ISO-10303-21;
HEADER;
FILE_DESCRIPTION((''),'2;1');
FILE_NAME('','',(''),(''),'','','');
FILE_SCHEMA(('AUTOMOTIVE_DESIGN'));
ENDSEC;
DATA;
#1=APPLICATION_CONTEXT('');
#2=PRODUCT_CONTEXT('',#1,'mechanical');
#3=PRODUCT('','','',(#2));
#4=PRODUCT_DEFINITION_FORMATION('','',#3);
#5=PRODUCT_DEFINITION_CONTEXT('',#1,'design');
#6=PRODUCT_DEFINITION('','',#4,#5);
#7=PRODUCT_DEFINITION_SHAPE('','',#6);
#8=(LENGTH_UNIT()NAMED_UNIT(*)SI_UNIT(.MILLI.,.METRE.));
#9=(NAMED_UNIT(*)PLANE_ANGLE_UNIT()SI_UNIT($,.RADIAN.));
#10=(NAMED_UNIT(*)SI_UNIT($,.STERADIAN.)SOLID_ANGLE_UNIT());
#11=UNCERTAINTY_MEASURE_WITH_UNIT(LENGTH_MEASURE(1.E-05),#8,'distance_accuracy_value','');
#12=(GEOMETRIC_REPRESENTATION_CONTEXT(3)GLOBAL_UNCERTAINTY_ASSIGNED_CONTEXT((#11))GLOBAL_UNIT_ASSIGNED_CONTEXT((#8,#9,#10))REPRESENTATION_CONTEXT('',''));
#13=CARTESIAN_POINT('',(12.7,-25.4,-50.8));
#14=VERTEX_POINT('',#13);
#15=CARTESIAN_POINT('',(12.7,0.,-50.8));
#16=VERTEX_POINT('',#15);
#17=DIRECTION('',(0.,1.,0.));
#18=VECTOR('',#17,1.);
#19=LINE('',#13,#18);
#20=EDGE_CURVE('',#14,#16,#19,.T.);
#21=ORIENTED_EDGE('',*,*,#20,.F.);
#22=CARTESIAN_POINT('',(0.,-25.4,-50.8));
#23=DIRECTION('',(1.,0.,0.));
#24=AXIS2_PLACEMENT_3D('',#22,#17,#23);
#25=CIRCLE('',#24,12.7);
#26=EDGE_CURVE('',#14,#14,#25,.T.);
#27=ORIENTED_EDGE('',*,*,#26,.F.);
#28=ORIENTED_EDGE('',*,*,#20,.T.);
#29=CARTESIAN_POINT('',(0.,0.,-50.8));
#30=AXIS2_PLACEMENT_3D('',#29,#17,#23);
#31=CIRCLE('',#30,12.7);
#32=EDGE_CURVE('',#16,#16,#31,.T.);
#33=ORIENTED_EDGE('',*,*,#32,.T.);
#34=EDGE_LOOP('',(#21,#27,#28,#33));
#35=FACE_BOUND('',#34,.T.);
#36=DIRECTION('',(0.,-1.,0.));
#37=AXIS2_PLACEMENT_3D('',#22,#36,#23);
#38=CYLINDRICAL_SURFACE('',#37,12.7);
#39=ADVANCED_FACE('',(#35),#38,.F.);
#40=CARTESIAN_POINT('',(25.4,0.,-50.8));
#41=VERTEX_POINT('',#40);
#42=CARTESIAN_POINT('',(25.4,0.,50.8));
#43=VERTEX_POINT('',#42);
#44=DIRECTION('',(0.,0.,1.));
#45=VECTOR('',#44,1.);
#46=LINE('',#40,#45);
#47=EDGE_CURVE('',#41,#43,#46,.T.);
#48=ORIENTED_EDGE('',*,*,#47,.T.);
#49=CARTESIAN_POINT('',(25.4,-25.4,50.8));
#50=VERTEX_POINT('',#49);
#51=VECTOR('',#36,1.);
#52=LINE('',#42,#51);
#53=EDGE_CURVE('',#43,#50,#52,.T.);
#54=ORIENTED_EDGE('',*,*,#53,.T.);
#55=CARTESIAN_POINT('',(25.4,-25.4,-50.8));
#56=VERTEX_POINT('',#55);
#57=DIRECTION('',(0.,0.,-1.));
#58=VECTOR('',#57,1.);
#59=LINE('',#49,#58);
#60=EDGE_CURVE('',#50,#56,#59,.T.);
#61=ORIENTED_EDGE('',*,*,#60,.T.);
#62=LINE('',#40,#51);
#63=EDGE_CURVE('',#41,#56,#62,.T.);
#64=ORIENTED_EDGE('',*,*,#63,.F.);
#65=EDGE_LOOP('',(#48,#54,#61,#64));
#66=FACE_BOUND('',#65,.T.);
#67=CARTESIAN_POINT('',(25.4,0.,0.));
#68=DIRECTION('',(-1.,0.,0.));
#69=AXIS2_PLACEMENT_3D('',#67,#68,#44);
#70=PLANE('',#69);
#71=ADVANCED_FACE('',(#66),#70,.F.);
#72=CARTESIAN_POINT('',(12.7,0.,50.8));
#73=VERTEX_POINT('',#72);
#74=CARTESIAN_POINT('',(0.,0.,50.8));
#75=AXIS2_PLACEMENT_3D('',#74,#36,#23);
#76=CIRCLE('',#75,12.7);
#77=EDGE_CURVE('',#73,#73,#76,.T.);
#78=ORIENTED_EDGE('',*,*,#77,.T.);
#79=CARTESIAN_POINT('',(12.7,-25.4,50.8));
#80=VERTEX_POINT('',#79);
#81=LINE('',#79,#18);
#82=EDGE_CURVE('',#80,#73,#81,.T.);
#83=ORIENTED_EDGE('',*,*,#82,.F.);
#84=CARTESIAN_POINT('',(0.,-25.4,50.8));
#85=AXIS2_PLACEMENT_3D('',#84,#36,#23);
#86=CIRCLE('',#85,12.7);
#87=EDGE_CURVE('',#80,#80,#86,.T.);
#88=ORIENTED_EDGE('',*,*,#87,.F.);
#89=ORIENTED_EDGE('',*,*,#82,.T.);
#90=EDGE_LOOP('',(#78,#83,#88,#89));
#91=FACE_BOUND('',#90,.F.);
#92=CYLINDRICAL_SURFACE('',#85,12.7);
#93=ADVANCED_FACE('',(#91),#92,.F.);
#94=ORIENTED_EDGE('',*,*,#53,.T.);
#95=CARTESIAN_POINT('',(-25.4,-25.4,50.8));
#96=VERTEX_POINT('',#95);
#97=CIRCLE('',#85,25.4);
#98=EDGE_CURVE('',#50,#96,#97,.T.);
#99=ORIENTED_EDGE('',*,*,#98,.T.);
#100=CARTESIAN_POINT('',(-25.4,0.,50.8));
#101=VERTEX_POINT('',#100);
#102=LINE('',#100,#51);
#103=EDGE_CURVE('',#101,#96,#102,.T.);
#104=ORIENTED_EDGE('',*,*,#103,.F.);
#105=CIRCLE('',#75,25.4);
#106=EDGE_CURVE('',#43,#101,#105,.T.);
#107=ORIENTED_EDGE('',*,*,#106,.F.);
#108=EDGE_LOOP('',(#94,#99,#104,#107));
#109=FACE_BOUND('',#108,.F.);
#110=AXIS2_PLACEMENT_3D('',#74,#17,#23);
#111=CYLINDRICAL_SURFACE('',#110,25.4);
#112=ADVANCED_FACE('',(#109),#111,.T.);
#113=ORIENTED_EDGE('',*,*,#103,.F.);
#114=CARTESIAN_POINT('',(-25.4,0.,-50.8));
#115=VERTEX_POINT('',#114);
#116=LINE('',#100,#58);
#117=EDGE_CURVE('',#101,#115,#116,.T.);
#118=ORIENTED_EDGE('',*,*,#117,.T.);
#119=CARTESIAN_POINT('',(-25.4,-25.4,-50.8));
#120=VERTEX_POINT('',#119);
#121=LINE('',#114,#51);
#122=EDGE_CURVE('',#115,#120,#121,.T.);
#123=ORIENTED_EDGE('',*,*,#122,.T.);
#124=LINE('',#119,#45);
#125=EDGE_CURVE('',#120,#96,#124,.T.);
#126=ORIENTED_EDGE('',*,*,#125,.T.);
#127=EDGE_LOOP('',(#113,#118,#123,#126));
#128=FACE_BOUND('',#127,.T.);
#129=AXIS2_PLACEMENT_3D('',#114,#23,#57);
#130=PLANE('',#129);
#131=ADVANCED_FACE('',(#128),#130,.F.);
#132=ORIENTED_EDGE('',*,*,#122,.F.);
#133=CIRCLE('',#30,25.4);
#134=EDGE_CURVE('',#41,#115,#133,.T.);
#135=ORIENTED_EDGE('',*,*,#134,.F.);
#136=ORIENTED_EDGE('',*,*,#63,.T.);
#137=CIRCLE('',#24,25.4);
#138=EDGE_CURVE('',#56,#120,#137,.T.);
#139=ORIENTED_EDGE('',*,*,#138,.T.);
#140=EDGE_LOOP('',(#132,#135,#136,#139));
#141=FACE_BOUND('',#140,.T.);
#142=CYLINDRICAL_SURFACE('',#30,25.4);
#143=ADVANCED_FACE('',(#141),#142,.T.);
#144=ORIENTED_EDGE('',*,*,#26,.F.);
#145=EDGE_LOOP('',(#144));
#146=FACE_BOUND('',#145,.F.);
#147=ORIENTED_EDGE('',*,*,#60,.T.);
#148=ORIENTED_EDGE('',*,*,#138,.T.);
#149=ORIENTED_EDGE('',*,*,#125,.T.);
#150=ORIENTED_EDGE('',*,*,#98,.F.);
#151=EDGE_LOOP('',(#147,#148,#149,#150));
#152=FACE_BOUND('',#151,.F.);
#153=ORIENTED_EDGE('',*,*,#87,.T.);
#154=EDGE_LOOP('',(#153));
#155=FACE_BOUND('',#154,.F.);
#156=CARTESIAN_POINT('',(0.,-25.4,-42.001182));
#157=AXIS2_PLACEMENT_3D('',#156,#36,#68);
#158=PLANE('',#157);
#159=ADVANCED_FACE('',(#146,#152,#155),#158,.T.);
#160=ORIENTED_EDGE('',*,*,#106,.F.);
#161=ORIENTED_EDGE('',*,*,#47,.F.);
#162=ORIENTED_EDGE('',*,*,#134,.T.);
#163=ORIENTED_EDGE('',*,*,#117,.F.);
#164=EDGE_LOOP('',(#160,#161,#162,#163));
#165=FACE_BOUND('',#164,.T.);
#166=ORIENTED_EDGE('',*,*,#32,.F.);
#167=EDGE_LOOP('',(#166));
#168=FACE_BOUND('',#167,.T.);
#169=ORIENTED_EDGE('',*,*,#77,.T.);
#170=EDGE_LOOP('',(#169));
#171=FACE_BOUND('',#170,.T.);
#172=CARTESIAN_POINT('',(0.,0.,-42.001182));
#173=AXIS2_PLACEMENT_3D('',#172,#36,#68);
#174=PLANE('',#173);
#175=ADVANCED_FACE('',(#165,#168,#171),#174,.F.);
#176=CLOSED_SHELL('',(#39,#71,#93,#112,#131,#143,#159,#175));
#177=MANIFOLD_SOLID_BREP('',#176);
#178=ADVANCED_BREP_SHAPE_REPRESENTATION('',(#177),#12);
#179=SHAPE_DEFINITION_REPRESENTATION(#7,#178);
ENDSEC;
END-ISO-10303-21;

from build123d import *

# Parameters (mm, degrees)
F1_DEPTH = 25.4
F2_R     = 12.7
F3_DEPTH = 50.8


with BuildPart() as f1:
    # F0 (on Front) → F1 (new body)
    with BuildSketch(Plane.XZ):
        with BuildLine():
            ThreePointArc((-25.4, 50.8), (0, 25.4), (25.4, 50.8))
            Line((25.4, 50.8), (-25.4, 50.8))
        make_face()
        with BuildLine():
            Line((-25.4, 50.8), (25.4, 50.8))
            ThreePointArc((25.4, 50.8), (0, 76.2), (-25.4, 50.8))
        make_face()
        with BuildLine():
            Line((-25.4, 0), (25.4, 0))
            Line((25.4, 0), (25.4, 50.8))
            ThreePointArc((25.4, 50.8), (0, 25.4), (-25.4, 50.8))
            Line((-25.4, 50.8), (-25.4, 0))
        make_face()
    extrude(amount=F1_DEPTH)

    # F2 (on face) → F3 (cut)
    with BuildSketch(Plane.XZ.offset(25.4)):
        with Locations((0, 50.8)):
            Circle(F2_R)
    extrude(amount=-F3_DEPTH, mode=Mode.SUBTRACT)

    # F4: F1 across face


with BuildPart() as f1_1:
    add(f1.part)
    add(f1.part.mirror(Plane(origin=(0, -12.7, 0), x_dir=(1, 0, 0), z_dir=(0, 0, -1))))


solid = f1_1.part
